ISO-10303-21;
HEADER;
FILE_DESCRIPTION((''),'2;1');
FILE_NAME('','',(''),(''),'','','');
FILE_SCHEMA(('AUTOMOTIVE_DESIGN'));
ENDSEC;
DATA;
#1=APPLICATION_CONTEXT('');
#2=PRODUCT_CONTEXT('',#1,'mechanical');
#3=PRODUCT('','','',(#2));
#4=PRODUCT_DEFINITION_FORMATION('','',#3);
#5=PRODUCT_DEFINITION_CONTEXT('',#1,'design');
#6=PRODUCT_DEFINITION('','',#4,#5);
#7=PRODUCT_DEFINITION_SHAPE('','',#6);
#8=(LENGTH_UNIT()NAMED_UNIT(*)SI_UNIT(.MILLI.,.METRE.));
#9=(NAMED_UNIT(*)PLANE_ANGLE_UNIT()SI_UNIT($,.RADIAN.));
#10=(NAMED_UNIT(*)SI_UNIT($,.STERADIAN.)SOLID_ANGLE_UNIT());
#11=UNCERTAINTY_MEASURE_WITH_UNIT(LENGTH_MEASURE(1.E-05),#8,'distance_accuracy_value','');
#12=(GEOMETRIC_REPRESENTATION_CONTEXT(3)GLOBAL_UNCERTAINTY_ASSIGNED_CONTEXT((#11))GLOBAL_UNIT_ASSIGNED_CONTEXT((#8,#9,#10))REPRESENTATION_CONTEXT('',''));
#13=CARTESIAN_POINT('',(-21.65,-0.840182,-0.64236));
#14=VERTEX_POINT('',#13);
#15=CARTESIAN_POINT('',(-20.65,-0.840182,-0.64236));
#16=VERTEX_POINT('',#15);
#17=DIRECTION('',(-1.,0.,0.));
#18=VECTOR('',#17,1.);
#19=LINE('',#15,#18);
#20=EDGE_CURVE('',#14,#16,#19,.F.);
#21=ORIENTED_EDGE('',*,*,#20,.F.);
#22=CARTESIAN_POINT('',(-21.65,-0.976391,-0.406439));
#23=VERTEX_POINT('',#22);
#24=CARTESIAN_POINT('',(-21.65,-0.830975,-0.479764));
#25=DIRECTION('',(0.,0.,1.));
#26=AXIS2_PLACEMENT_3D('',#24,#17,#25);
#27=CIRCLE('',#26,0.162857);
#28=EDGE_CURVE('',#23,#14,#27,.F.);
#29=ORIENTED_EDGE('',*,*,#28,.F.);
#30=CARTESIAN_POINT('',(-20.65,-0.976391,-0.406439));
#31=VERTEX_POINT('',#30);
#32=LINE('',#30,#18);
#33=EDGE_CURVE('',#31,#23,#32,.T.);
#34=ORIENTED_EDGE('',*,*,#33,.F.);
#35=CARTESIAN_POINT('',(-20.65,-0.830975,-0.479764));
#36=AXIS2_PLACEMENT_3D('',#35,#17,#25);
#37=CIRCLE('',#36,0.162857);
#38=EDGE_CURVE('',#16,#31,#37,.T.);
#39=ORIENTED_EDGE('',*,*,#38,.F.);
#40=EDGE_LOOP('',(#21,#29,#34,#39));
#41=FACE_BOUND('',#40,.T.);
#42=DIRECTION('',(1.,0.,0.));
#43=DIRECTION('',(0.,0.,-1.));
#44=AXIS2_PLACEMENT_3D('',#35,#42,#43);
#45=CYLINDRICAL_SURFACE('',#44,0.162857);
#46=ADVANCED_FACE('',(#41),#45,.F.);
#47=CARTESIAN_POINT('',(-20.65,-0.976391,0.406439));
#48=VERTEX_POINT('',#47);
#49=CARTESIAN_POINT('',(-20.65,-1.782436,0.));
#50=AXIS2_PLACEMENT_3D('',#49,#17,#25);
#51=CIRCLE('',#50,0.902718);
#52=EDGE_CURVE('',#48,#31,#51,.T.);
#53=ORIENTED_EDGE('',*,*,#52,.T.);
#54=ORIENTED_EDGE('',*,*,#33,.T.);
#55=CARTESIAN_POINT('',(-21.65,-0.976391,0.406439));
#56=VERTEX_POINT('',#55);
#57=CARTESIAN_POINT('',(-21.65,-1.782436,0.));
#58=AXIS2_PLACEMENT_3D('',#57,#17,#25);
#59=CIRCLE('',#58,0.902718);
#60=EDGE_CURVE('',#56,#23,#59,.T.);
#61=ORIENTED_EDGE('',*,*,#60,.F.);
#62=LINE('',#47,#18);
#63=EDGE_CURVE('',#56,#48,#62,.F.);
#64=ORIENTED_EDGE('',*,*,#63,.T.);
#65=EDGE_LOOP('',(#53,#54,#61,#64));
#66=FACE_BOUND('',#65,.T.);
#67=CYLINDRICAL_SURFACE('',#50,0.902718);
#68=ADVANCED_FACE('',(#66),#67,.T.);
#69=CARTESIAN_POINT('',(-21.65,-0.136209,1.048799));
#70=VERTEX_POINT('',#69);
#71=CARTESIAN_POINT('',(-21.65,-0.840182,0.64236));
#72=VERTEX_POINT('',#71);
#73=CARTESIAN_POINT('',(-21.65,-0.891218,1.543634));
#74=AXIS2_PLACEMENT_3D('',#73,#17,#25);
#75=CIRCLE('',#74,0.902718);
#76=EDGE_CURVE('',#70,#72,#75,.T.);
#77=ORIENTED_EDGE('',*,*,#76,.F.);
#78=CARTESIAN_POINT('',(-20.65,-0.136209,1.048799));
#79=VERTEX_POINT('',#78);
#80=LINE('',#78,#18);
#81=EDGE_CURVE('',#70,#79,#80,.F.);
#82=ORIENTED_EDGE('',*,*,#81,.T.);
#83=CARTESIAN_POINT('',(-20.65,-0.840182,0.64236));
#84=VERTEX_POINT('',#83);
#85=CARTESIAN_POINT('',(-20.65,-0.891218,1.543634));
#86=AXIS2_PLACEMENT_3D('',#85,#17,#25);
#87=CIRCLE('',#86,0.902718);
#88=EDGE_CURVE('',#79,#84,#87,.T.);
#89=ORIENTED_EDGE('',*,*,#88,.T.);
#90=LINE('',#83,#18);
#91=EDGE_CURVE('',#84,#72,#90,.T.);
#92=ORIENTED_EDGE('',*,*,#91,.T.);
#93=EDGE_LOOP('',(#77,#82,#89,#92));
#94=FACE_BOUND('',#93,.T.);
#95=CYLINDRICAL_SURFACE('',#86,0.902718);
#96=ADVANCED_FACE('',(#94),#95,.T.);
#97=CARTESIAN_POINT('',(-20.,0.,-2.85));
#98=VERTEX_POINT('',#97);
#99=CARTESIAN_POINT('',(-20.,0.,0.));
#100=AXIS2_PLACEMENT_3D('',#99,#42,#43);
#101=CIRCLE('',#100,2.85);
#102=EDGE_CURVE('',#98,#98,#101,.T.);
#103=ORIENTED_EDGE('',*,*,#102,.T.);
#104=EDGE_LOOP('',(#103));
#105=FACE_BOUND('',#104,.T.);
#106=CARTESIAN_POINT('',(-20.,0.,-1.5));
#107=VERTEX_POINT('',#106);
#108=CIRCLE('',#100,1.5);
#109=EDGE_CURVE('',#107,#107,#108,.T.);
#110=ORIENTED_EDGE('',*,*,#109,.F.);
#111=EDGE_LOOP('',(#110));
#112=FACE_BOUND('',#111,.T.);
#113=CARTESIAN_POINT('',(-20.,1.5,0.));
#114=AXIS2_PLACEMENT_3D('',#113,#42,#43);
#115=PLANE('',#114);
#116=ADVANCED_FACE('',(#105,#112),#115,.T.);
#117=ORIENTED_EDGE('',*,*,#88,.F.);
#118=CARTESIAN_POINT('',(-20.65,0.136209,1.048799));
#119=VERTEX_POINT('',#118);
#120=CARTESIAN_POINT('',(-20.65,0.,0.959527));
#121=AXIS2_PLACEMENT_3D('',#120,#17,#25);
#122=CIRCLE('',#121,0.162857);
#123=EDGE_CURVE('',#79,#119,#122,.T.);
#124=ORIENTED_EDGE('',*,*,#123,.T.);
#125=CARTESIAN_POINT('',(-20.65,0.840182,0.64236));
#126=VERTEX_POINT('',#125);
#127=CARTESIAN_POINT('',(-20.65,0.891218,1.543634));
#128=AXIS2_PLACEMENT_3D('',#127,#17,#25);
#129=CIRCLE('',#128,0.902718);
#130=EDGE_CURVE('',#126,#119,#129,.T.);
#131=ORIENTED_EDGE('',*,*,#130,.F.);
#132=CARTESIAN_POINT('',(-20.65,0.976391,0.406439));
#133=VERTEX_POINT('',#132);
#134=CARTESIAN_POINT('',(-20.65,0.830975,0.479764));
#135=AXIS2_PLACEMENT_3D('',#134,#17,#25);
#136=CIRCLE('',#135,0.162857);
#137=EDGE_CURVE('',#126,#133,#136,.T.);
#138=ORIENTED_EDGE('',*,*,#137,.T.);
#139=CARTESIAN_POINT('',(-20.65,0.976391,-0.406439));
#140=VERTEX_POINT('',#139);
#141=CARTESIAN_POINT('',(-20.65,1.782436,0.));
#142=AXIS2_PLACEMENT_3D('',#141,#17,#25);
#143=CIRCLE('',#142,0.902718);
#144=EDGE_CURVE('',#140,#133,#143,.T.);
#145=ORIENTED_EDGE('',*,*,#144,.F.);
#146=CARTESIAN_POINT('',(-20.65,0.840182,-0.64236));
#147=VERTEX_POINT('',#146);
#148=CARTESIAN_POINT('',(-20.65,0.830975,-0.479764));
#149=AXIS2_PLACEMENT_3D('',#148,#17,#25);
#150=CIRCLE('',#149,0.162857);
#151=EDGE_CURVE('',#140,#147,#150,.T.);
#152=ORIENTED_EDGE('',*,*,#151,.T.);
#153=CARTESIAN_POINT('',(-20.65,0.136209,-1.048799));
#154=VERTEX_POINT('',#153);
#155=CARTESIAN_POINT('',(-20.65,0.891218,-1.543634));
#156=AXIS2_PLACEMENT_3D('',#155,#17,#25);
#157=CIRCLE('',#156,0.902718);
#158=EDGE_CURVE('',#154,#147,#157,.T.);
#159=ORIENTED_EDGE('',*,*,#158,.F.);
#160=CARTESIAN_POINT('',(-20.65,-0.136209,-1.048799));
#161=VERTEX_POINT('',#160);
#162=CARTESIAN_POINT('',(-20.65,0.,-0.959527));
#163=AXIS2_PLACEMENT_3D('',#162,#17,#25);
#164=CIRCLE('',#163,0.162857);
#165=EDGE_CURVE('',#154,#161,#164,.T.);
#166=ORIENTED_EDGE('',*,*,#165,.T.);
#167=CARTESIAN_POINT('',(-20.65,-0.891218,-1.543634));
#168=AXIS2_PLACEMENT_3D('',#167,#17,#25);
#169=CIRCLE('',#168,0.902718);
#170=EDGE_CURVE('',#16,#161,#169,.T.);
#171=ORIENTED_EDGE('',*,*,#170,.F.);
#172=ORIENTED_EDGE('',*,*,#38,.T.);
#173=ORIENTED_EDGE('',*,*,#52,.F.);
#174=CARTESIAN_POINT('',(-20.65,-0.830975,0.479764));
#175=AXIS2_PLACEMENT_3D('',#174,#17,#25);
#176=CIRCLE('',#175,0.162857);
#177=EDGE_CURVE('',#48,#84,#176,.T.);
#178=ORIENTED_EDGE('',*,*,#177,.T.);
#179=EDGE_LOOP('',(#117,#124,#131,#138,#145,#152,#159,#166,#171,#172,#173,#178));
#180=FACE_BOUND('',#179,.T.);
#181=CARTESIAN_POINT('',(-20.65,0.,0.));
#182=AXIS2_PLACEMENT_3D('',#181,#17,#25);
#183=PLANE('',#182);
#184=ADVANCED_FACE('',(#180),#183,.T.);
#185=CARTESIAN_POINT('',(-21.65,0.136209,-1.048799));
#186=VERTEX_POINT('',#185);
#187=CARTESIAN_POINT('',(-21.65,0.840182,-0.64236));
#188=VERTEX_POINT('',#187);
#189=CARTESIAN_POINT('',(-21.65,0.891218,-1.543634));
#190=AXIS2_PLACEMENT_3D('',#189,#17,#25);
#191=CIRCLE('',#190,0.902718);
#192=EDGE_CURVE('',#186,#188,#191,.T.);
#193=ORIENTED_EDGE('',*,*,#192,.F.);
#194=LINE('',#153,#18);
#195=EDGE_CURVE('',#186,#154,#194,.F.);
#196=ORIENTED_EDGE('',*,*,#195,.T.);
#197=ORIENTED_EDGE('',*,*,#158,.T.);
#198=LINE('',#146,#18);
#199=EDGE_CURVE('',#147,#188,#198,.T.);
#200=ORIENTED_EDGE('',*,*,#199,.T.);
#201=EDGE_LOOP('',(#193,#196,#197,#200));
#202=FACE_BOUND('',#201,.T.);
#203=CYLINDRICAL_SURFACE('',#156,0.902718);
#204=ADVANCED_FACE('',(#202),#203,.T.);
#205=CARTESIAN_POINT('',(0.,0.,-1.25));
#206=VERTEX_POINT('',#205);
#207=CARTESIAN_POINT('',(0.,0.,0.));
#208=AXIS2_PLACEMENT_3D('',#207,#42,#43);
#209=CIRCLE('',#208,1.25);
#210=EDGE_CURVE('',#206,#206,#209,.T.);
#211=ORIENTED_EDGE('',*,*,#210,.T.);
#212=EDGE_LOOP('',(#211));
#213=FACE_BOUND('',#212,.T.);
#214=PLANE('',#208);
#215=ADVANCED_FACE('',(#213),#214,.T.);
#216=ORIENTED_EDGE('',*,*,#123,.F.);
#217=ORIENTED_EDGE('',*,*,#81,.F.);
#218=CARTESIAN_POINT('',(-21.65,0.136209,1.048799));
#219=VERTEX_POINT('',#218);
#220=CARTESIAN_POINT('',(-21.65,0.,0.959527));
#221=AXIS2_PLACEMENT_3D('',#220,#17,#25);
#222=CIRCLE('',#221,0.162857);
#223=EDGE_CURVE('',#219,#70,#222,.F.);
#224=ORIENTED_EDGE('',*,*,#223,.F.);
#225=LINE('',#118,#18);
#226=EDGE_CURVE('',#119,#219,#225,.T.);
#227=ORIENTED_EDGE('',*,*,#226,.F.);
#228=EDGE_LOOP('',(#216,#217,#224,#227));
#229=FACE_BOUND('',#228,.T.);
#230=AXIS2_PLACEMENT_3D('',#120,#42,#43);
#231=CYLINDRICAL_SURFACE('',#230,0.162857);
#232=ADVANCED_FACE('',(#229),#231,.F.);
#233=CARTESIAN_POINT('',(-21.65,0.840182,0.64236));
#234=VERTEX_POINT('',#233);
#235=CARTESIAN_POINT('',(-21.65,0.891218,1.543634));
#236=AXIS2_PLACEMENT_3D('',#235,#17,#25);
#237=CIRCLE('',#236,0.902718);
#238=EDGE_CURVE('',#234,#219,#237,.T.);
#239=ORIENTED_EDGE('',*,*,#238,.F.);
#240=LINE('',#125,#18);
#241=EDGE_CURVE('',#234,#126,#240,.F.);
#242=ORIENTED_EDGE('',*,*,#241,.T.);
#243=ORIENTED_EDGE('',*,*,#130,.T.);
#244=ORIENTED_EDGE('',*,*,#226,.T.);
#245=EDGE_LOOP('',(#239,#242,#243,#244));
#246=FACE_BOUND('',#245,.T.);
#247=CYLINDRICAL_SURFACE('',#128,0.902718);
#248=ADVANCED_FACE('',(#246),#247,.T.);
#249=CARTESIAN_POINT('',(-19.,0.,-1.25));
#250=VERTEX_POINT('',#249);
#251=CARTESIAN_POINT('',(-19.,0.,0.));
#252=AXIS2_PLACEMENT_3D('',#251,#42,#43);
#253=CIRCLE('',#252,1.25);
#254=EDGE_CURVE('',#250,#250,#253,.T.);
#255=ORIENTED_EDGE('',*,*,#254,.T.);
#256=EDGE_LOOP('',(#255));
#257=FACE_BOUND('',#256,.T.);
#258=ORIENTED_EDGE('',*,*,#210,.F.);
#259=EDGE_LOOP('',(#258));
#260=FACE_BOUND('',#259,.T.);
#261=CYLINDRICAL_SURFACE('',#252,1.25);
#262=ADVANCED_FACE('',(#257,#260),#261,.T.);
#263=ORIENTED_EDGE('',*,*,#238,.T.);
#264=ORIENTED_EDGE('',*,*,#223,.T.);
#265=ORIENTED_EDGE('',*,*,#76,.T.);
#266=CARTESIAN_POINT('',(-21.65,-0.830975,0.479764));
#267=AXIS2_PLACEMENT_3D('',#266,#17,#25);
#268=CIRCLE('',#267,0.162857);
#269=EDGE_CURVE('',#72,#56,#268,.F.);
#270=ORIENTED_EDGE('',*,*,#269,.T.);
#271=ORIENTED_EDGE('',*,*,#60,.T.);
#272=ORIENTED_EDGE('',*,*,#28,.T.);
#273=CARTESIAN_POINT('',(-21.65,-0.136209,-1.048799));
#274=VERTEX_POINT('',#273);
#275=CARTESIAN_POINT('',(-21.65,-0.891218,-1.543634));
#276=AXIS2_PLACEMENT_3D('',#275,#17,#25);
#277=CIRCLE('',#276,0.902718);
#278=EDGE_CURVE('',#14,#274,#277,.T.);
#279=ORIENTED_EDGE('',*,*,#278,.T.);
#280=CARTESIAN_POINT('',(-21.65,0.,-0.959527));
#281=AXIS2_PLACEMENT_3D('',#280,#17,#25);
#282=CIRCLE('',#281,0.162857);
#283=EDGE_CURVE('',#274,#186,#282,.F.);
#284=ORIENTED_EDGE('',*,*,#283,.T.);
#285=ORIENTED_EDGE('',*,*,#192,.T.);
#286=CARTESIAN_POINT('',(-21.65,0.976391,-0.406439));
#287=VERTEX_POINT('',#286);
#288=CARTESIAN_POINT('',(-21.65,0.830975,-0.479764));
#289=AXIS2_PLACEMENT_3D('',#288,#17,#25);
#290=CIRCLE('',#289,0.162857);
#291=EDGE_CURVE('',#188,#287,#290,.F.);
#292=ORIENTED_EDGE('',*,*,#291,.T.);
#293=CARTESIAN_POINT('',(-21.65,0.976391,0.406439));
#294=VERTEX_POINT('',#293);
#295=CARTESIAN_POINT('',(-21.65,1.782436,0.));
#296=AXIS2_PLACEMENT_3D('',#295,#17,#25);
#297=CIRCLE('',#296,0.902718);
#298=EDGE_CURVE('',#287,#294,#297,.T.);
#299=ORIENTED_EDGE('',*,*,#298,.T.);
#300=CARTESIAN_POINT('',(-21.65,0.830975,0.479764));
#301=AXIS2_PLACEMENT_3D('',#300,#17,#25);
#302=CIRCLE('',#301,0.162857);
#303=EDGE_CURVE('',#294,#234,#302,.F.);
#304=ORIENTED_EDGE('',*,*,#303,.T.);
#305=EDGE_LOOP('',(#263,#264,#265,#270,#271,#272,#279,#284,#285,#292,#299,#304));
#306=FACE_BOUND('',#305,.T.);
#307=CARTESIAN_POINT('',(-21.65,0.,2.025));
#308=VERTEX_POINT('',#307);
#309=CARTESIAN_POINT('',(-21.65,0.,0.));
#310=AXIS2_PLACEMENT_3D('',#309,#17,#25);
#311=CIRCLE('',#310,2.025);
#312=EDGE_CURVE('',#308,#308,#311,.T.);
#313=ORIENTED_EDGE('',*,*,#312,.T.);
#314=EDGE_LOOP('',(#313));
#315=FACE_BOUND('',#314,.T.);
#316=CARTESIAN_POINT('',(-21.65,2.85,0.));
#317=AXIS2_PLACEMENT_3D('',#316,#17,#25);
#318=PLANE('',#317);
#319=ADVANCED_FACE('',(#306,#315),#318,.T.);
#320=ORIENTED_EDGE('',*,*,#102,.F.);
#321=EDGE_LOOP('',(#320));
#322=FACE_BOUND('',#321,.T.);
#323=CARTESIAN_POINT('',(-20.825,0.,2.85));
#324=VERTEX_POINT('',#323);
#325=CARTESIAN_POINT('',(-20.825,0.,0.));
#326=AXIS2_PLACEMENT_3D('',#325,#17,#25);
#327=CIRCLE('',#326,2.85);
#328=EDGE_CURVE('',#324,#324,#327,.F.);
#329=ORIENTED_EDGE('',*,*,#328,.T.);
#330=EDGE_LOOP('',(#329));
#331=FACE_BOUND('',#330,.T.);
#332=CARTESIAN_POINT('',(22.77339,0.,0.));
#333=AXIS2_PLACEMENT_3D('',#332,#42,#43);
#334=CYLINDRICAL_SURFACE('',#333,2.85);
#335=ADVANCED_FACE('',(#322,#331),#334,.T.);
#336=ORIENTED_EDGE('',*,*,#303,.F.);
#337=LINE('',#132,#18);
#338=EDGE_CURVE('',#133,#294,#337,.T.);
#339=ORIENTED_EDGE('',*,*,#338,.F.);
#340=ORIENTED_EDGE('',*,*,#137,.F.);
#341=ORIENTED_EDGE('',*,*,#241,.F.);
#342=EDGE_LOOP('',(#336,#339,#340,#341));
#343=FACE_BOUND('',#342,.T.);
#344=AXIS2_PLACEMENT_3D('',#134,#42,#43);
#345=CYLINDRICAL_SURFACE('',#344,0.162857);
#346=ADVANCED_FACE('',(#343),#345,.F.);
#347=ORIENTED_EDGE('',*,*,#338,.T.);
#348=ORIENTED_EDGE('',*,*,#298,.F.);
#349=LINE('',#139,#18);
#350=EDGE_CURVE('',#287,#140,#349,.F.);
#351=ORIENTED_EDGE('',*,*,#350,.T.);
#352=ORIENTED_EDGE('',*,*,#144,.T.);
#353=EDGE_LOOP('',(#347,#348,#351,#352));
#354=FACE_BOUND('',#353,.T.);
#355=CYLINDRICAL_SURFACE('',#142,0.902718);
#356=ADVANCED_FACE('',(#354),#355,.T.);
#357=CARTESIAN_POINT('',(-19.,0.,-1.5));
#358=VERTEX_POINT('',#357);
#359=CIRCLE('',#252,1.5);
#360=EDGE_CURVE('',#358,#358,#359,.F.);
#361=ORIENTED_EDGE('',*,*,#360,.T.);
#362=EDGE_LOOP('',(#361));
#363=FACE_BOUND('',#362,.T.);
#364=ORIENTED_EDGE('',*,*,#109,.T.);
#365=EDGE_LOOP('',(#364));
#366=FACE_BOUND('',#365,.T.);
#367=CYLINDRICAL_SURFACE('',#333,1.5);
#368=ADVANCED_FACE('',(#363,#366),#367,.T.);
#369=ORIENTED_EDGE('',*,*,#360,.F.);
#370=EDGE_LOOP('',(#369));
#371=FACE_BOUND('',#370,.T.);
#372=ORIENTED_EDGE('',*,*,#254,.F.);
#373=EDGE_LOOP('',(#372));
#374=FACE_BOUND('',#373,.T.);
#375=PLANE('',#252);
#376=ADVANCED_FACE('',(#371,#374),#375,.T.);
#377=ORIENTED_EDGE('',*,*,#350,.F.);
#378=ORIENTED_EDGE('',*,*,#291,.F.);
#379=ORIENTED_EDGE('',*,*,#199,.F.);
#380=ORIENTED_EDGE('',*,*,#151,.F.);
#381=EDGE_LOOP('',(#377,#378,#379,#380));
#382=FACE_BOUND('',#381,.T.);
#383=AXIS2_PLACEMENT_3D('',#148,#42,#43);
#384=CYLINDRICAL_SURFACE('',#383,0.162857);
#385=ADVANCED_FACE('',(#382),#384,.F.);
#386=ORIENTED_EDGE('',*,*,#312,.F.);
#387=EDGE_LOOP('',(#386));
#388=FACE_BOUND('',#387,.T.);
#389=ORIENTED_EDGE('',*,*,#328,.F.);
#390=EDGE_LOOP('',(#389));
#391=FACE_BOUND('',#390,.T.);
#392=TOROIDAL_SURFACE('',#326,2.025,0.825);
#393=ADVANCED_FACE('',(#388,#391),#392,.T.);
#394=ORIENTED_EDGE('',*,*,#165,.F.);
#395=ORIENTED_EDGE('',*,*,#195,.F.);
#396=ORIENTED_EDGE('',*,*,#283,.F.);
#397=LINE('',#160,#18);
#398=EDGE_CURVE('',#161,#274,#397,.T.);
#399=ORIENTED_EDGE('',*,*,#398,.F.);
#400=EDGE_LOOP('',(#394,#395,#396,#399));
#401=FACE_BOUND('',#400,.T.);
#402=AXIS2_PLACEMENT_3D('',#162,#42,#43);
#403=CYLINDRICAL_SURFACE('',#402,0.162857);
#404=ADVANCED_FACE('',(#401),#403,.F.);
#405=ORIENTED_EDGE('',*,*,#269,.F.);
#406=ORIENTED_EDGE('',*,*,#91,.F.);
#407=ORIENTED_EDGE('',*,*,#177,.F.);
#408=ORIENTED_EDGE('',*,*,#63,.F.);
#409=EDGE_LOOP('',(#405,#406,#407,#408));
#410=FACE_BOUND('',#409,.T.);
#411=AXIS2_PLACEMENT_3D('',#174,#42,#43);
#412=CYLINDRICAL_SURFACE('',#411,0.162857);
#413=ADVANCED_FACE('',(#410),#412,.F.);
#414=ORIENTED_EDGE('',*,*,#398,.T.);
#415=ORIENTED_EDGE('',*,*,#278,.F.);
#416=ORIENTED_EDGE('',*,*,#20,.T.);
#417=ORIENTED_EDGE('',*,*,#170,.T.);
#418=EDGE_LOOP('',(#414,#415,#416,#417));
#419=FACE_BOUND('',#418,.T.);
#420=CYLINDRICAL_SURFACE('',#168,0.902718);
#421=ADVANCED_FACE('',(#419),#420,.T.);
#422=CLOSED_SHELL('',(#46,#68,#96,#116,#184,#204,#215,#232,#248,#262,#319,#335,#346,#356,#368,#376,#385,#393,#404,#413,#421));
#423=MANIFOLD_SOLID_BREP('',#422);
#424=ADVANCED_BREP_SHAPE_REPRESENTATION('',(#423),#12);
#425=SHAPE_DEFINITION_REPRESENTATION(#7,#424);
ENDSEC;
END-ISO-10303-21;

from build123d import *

# Parameters (mm, degrees)
EXTRUDE1_DEPTH    = 1
FILLET1_R         = 0.825
FILLET2_R         = 0.162857143
SKETCH3_OUTSIDE_W = 12.32
SKETCH3_OUTSIDE_H = 12.32
SKETCH3_OUTSIDE_R = 1.25
SIS_KIERRE_DEPTH  = 19


with BuildPart() as part:
    # Sketch1 → Revolve1 (revolve)
    with BuildSketch(Plane.XY, mode=Mode.PRIVATE) as revolve1_sk:
        Polygon((-20, 2.85), (-21.65, 2.85), (-21.65, 0), (0, 0), (0, 1.5), (-20, 1.5), align=None)
    revolve(revolve1_sk.sketch.rotate(Axis((22.773389601, 0, 0), (-1, 0, 0)), 90), axis=Axis((22.773389601, 0, 0), (-1, 0, 0)))

    # Sketch2 → Extrude1 (cut)
    with BuildSketch(Plane.ZY.offset(21.65)):
        with BuildLine():
            ThreePointArc((-1.4, 0), (-0.761857658, 0.439858724), (-0.7, 1.212435565))
            ThreePointArc((-0.7, 1.212435565), (0, 0.879717448), (0.7, 1.212435565))
            ThreePointArc((0.7, 1.212435565), (0.761857658, 0.439858724), (1.4, 0))
            ThreePointArc((1.4, 0), (0.761857658, -0.439858724), (0.7, -1.212435565))
            ThreePointArc((0.7, -1.212435565), (0, -0.879717448), (-0.7, -1.212435565))
            ThreePointArc((-0.7, -1.212435565), (-0.761857658, -0.439858724), (-1.4, 0))
        make_face()
    extrude(amount=-EXTRUDE1_DEPTH, mode=Mode.SUBTRACT)

    # Fillet1
    fillet1_edges = [part.edges().sort_by_distance(p)[0] for p in [
        (-21.65, 0, 2.85),
    ]]
    fillet(fillet1_edges, radius=FILLET1_R)

    # Fillet2
    fillet2_edges = [part.edges().sort_by_distance(p)[0] for p in [
        (-21.15, 0, -1.4),
        (-21.15, 1.212435565, -0.7),
        (-21.15, 1.212435565, 0.7),
        (-21.15, 0, 1.4),
        (-21.15, -1.212435565, 0.7),
        (-21.15, -1.212435565, -0.7),
    ]]
    fillet(fillet2_edges, radius=FILLET2_R)

    # Sketch3 outside → Sisäkierre (cut)
    with BuildSketch(Plane(origin=(0, 0, 0), x_dir=(0, 0, -1), z_dir=(1, 0, 0))):
        Rectangle(SKETCH3_OUTSIDE_W, SKETCH3_OUTSIDE_H)
        Circle(SKETCH3_OUTSIDE_R, mode=Mode.SUBTRACT)
    extrude(amount=-SIS_KIERRE_DEPTH, mode=Mode.SUBTRACT)


solid = part.part
